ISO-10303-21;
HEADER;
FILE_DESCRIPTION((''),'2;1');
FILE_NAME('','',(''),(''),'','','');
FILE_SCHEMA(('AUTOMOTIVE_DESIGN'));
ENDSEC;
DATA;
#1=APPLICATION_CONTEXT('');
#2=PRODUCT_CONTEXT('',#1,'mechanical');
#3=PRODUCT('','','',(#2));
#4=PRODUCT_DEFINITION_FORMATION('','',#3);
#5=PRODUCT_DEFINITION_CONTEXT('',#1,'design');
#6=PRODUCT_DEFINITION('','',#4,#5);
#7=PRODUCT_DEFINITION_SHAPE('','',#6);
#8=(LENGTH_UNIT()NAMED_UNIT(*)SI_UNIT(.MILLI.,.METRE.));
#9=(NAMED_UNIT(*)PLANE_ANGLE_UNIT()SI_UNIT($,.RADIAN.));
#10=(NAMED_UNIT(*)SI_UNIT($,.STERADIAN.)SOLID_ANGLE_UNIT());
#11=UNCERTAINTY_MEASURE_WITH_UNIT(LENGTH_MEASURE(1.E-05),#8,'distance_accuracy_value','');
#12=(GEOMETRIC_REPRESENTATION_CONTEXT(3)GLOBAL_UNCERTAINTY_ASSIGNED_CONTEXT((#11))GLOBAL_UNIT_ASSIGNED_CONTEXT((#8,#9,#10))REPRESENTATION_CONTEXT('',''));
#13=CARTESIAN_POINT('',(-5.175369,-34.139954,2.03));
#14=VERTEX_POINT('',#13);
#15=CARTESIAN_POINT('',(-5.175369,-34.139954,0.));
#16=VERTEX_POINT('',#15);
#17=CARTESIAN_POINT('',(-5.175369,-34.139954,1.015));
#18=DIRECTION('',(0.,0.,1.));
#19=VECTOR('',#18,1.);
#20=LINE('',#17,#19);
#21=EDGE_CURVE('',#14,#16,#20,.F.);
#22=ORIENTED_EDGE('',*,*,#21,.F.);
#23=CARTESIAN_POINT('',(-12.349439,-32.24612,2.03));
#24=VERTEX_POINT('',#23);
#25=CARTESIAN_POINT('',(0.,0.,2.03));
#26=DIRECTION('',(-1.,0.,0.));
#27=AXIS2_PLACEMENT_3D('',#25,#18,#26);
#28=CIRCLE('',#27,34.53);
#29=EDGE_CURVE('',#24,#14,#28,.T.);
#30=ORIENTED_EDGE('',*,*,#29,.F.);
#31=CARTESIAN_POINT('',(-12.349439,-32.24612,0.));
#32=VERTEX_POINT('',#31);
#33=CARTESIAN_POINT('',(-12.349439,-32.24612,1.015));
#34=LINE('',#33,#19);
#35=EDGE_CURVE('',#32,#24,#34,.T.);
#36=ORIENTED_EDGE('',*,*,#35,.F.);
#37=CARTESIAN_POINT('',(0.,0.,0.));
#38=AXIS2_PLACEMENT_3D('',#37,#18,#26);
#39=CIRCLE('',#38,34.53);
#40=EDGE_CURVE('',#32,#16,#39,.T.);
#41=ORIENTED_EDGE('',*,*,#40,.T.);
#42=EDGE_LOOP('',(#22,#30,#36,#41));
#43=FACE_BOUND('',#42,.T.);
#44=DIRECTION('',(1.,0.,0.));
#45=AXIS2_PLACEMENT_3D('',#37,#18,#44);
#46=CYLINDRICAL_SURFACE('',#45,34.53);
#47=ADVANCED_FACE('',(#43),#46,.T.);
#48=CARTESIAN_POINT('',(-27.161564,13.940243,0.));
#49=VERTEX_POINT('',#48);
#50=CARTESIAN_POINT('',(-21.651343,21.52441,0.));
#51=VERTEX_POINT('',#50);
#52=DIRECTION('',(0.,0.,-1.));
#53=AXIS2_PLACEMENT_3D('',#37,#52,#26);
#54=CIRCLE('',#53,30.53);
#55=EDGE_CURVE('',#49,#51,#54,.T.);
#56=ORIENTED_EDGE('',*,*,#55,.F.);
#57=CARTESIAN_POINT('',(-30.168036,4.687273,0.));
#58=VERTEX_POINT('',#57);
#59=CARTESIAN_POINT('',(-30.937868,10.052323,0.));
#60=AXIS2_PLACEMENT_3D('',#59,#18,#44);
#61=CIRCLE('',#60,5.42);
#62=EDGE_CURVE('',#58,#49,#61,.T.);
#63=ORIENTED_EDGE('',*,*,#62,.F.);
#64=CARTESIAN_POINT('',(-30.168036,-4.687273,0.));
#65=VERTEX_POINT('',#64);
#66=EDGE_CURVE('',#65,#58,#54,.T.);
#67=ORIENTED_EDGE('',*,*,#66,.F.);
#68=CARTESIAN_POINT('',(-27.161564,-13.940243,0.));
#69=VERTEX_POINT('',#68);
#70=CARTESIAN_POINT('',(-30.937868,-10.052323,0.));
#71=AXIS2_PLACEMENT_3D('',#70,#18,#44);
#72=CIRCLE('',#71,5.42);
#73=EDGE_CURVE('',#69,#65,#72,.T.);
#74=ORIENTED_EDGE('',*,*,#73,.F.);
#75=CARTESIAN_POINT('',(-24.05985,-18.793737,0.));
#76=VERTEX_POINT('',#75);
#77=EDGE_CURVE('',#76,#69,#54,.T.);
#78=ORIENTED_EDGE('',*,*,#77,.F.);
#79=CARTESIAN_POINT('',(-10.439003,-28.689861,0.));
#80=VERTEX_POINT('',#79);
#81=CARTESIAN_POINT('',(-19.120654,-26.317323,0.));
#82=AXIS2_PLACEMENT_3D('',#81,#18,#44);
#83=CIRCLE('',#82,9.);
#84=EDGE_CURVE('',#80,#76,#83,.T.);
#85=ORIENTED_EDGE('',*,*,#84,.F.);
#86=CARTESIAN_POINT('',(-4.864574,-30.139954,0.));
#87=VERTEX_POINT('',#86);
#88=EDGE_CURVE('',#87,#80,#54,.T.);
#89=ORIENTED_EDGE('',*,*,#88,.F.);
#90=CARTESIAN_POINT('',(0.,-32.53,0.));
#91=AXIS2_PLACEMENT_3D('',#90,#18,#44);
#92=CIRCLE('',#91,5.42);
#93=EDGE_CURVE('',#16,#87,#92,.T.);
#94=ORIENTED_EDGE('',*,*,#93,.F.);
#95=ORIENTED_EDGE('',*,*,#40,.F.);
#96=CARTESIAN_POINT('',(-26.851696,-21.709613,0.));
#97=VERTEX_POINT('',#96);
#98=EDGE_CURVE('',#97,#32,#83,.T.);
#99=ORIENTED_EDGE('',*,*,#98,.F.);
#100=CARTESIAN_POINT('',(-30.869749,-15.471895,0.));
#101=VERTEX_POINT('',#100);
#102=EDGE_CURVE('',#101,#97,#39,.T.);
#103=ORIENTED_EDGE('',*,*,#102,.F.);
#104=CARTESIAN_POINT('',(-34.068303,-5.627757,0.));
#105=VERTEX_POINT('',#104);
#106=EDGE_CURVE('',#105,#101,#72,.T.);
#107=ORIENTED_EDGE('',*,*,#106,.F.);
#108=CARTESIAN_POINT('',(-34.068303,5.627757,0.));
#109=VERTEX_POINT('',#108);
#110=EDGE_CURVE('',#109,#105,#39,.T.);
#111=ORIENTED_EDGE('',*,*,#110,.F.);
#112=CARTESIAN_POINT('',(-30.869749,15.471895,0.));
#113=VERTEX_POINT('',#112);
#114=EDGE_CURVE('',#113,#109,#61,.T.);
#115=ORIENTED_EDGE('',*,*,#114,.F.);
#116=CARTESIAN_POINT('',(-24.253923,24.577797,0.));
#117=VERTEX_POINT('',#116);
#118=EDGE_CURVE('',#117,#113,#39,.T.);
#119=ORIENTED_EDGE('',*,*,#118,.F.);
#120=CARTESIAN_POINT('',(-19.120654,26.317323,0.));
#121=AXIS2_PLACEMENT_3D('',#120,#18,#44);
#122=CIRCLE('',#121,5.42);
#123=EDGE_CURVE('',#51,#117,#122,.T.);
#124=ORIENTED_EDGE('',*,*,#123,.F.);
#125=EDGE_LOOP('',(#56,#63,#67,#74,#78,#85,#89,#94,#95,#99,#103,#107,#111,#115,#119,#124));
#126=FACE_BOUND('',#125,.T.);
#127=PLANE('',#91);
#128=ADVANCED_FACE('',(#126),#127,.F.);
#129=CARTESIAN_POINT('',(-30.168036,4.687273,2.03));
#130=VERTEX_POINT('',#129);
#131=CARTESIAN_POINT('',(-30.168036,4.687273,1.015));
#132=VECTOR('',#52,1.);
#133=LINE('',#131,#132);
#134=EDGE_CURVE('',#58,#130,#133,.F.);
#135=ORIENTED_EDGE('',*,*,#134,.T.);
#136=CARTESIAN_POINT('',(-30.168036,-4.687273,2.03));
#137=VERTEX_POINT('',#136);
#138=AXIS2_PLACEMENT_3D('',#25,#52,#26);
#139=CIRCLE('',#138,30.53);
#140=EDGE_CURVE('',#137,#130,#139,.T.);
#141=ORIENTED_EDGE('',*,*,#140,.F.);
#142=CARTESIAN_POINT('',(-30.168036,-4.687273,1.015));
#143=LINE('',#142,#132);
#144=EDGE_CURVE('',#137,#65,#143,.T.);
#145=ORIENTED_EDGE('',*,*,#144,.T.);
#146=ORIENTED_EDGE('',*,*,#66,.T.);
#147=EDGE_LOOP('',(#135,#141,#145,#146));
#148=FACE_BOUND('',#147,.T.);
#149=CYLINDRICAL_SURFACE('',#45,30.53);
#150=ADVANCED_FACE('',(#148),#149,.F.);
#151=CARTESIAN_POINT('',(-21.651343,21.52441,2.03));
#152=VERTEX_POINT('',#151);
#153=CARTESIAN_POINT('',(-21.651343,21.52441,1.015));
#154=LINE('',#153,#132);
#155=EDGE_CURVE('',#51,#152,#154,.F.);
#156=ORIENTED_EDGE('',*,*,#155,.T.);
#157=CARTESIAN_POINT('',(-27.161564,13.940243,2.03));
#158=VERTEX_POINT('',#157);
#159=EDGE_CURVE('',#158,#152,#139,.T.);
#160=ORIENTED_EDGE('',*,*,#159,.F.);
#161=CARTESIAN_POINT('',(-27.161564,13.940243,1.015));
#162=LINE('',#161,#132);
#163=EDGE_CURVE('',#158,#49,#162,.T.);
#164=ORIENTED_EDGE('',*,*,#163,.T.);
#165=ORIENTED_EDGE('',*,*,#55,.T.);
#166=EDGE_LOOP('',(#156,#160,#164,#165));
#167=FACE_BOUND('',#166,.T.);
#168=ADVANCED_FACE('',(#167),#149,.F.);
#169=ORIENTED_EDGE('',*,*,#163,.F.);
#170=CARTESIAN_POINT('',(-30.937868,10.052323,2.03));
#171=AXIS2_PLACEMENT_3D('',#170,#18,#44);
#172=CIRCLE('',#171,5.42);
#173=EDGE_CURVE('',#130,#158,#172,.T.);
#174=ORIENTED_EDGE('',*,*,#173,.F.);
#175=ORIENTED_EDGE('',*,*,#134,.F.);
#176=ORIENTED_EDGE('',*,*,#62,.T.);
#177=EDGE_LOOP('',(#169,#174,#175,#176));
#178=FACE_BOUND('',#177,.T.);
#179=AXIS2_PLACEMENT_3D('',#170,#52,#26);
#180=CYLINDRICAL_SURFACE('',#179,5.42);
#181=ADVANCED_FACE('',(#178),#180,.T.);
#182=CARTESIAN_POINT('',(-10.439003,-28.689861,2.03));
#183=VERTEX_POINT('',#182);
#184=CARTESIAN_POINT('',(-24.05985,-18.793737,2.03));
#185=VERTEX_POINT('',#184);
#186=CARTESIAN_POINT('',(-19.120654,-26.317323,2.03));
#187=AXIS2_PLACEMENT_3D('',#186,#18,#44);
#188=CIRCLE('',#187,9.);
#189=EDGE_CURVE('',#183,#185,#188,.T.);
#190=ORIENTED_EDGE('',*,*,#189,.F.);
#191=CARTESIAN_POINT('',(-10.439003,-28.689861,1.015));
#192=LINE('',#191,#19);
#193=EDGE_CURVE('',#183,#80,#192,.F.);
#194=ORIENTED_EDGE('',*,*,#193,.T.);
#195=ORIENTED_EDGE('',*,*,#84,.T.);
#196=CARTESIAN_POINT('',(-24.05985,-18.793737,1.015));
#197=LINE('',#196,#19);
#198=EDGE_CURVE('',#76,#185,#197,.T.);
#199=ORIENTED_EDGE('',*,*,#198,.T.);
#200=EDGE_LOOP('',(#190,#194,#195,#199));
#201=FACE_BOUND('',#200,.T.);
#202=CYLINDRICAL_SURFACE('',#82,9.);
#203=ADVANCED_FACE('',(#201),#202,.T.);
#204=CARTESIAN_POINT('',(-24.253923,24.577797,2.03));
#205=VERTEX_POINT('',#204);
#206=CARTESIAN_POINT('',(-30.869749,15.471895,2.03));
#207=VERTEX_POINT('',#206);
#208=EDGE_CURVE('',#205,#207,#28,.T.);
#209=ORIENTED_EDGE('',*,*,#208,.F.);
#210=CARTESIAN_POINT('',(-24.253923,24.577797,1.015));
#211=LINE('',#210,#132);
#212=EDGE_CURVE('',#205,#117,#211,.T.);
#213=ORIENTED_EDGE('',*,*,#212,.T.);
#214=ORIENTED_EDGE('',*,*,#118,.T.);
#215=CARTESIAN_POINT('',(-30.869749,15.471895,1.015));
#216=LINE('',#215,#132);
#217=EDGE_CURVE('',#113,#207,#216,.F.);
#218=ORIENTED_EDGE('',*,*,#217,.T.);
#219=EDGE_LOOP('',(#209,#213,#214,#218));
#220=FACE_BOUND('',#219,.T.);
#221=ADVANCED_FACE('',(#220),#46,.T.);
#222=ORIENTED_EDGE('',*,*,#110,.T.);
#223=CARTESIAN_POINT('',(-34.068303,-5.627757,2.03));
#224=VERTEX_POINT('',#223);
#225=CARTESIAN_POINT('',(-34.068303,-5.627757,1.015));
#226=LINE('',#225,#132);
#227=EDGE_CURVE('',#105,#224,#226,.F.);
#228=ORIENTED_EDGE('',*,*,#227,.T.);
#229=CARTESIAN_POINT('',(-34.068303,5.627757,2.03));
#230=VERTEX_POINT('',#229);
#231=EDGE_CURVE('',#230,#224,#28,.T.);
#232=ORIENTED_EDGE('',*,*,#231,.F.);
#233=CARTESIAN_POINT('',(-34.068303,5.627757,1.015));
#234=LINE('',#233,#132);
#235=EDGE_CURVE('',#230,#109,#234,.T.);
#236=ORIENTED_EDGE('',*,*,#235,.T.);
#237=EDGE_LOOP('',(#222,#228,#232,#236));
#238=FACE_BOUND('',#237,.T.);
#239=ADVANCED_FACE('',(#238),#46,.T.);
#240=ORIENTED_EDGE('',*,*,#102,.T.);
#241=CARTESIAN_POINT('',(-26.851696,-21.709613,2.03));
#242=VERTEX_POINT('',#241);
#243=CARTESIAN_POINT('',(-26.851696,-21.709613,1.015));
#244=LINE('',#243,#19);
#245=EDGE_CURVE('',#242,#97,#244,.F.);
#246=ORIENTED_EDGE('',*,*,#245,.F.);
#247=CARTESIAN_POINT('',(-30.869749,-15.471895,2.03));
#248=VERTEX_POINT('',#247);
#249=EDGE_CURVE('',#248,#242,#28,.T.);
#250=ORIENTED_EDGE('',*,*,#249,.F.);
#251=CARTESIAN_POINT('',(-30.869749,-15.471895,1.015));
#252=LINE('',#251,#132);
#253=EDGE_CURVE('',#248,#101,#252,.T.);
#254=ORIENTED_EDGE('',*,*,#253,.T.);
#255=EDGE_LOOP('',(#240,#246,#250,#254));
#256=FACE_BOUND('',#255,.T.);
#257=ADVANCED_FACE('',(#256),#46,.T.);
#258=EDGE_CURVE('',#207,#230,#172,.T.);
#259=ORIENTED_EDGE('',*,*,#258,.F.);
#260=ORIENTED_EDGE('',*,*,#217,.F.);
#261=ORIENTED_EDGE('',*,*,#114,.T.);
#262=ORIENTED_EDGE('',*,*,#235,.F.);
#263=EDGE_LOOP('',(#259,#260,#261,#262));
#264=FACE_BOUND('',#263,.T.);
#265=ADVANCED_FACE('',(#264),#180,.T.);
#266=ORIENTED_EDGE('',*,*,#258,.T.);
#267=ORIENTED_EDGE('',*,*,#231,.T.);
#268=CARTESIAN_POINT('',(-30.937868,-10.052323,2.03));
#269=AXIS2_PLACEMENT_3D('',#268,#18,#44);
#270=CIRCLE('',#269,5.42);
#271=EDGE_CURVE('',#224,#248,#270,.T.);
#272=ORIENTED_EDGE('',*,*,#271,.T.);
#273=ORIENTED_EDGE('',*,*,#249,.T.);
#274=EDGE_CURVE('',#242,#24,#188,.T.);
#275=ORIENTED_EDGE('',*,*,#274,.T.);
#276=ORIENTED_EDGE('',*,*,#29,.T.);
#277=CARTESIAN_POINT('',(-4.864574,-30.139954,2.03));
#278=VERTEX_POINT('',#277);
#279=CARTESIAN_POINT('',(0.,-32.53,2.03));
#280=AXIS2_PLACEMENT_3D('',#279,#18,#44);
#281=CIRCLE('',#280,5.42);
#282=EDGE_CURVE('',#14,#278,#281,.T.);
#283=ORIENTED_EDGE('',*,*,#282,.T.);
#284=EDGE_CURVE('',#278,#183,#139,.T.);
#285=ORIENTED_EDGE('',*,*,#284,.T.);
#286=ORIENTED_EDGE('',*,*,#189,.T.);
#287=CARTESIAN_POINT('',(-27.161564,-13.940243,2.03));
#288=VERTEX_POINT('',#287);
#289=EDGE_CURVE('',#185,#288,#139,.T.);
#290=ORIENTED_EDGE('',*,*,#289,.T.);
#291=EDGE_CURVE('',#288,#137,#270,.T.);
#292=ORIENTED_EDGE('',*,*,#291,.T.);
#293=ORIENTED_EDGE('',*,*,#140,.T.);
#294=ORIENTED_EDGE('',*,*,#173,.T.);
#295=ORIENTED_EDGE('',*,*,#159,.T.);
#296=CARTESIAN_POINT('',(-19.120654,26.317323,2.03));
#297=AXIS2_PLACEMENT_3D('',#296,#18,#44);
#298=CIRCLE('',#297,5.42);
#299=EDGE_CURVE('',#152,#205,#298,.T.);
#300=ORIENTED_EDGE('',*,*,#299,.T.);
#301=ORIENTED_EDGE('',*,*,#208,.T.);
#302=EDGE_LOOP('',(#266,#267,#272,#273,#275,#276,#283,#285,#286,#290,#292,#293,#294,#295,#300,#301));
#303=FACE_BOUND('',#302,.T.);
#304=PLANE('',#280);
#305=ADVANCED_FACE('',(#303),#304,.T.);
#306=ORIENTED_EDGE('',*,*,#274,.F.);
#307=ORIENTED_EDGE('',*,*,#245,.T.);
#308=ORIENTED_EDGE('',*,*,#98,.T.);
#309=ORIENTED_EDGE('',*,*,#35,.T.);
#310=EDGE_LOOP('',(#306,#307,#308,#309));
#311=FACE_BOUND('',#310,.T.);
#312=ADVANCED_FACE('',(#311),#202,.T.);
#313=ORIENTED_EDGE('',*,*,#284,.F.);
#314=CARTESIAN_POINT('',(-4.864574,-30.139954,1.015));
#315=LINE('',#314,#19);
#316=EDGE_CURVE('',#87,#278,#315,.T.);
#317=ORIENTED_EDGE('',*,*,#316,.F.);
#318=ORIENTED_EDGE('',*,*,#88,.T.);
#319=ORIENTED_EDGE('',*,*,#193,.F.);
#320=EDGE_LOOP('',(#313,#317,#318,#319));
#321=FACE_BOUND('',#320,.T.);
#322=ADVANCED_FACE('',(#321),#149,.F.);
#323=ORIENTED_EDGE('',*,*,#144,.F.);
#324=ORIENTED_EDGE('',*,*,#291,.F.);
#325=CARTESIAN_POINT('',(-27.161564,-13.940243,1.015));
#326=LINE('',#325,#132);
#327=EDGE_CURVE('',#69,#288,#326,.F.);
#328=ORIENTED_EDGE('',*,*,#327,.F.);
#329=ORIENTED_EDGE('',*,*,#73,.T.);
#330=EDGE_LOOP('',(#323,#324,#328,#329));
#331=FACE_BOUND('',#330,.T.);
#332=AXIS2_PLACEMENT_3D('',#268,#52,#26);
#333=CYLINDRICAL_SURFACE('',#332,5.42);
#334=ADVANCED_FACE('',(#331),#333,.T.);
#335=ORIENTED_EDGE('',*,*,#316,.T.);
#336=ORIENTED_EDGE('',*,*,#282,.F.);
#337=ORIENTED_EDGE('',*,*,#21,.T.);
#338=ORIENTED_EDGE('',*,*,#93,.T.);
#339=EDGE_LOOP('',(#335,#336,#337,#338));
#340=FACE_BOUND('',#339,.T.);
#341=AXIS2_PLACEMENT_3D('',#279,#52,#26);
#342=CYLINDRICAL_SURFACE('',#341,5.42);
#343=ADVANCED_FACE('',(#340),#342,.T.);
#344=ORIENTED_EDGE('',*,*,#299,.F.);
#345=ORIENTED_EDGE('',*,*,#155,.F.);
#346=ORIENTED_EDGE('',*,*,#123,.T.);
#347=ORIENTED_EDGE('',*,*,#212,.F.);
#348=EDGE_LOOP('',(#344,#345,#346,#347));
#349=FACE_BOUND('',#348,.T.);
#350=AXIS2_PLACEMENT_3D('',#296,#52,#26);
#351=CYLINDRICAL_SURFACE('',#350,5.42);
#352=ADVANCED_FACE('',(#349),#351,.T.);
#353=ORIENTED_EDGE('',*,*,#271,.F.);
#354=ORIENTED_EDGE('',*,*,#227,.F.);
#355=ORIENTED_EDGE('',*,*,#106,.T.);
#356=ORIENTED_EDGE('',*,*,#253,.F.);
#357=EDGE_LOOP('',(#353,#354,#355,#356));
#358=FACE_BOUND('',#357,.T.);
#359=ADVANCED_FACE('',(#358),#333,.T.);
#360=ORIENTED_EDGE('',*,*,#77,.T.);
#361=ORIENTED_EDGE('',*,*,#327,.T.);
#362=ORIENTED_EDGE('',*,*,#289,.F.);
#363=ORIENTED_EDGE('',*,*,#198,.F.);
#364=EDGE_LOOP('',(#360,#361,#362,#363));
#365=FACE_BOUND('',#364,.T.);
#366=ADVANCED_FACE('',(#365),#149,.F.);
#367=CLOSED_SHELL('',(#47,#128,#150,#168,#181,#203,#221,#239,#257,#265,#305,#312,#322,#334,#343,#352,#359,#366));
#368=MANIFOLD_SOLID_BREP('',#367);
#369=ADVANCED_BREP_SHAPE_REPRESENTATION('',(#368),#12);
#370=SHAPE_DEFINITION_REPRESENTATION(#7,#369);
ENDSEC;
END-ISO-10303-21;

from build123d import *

# Parameters (mm, degrees)
SKETCH1_R             = 5.42
BOSS_EXTRUDE1_DEPTH   = 2.03
BOSS_EXTRUDE1_2_DEPTH = 2.03
BOSS_EXTRUDE1_3_DEPTH = 2.03
BOSS_EXTRUDE1_4_DEPTH = 2.03
BOSS_EXTRUDE1_5_DEPTH = 2.03
BOSS_EXTRUDE2_DEPTH   = 2.03
SKETCH3_R             = 9
BOSS_EXTRUDE3_DEPTH   = 2.03


with BuildPart() as part:
    # Sketch1 → Boss-Extrude1 (new body)
    with BuildSketch(Plane.XY):
        with Locations((0, -32.53)):
            Circle(SKETCH1_R)
    extrude(amount=BOSS_EXTRUDE1_DEPTH)



with BuildPart() as body_2:
    # Sketch1 → Boss-Extrude1 2 (new body)
    with BuildSketch(Plane.XY):
        with Locations((-19.120654257, -26.317322827)):
            Circle(SKETCH1_R)
    extrude(amount=BOSS_EXTRUDE1_2_DEPTH)


with BuildPart() as body_3:
    # Sketch1 → Boss-Extrude1 3 (new body)
    with BuildSketch(Plane.XY):
        with Locations((-30.937868475, -10.052322827)):
            Circle(SKETCH1_R)
    extrude(amount=BOSS_EXTRUDE1_3_DEPTH)


with BuildPart() as body_4:
    # Sketch1 → Boss-Extrude1 4 (new body)
    with BuildSketch(Plane.XY):
        with Locations((-30.937868475, 10.052322827)):
            Circle(SKETCH1_R)
    extrude(amount=BOSS_EXTRUDE1_4_DEPTH)


with BuildPart() as body_5:
    # Sketch1 → Boss-Extrude1 5 (new body)
    with BuildSketch(Plane.XY):
        with Locations((-19.120654257, 26.317322827)):
            Circle(SKETCH1_R)
    extrude(amount=BOSS_EXTRUDE1_5_DEPTH)


with BuildPart() as part_1:
    add(part.part)

    add(body_2.part)  # Boss-Extrude2 merges body 2

    add(body_3.part)  # Boss-Extrude2 merges body 3

    add(body_4.part)  # Boss-Extrude2 merges body 4

    add(body_5.part)  # Boss-Extrude2 merges body 5
    # Sketch2 → Boss-Extrude2 (add)
    with BuildSketch(Plane.XY.offset(2.03)):
        with BuildLine():
            Line((-20.296224762, 27.935356816), (-17.945083752, 24.699288838))
            ThreePointArc((-17.945083752, 24.699288838), (-29.035755442, -9.434288838), (0, -30.53))
            Line((0, -30.53), (0, -34.53))
            ThreePointArc((0, -34.53), (-32.839981508, -10.670356816), (-20.296224762, 27.935356816))
        make_face()
    extrude(amount=-BOSS_EXTRUDE2_DEPTH)

    # Sketch3 → Boss-Extrude3 (add)
    with BuildSketch(Plane.XY.offset(2.03)):
        with Locations((-19.120654257, -26.317322827)):
            Circle(SKETCH3_R)
    extrude(amount=-BOSS_EXTRUDE3_DEPTH)


solid = part_1.part
